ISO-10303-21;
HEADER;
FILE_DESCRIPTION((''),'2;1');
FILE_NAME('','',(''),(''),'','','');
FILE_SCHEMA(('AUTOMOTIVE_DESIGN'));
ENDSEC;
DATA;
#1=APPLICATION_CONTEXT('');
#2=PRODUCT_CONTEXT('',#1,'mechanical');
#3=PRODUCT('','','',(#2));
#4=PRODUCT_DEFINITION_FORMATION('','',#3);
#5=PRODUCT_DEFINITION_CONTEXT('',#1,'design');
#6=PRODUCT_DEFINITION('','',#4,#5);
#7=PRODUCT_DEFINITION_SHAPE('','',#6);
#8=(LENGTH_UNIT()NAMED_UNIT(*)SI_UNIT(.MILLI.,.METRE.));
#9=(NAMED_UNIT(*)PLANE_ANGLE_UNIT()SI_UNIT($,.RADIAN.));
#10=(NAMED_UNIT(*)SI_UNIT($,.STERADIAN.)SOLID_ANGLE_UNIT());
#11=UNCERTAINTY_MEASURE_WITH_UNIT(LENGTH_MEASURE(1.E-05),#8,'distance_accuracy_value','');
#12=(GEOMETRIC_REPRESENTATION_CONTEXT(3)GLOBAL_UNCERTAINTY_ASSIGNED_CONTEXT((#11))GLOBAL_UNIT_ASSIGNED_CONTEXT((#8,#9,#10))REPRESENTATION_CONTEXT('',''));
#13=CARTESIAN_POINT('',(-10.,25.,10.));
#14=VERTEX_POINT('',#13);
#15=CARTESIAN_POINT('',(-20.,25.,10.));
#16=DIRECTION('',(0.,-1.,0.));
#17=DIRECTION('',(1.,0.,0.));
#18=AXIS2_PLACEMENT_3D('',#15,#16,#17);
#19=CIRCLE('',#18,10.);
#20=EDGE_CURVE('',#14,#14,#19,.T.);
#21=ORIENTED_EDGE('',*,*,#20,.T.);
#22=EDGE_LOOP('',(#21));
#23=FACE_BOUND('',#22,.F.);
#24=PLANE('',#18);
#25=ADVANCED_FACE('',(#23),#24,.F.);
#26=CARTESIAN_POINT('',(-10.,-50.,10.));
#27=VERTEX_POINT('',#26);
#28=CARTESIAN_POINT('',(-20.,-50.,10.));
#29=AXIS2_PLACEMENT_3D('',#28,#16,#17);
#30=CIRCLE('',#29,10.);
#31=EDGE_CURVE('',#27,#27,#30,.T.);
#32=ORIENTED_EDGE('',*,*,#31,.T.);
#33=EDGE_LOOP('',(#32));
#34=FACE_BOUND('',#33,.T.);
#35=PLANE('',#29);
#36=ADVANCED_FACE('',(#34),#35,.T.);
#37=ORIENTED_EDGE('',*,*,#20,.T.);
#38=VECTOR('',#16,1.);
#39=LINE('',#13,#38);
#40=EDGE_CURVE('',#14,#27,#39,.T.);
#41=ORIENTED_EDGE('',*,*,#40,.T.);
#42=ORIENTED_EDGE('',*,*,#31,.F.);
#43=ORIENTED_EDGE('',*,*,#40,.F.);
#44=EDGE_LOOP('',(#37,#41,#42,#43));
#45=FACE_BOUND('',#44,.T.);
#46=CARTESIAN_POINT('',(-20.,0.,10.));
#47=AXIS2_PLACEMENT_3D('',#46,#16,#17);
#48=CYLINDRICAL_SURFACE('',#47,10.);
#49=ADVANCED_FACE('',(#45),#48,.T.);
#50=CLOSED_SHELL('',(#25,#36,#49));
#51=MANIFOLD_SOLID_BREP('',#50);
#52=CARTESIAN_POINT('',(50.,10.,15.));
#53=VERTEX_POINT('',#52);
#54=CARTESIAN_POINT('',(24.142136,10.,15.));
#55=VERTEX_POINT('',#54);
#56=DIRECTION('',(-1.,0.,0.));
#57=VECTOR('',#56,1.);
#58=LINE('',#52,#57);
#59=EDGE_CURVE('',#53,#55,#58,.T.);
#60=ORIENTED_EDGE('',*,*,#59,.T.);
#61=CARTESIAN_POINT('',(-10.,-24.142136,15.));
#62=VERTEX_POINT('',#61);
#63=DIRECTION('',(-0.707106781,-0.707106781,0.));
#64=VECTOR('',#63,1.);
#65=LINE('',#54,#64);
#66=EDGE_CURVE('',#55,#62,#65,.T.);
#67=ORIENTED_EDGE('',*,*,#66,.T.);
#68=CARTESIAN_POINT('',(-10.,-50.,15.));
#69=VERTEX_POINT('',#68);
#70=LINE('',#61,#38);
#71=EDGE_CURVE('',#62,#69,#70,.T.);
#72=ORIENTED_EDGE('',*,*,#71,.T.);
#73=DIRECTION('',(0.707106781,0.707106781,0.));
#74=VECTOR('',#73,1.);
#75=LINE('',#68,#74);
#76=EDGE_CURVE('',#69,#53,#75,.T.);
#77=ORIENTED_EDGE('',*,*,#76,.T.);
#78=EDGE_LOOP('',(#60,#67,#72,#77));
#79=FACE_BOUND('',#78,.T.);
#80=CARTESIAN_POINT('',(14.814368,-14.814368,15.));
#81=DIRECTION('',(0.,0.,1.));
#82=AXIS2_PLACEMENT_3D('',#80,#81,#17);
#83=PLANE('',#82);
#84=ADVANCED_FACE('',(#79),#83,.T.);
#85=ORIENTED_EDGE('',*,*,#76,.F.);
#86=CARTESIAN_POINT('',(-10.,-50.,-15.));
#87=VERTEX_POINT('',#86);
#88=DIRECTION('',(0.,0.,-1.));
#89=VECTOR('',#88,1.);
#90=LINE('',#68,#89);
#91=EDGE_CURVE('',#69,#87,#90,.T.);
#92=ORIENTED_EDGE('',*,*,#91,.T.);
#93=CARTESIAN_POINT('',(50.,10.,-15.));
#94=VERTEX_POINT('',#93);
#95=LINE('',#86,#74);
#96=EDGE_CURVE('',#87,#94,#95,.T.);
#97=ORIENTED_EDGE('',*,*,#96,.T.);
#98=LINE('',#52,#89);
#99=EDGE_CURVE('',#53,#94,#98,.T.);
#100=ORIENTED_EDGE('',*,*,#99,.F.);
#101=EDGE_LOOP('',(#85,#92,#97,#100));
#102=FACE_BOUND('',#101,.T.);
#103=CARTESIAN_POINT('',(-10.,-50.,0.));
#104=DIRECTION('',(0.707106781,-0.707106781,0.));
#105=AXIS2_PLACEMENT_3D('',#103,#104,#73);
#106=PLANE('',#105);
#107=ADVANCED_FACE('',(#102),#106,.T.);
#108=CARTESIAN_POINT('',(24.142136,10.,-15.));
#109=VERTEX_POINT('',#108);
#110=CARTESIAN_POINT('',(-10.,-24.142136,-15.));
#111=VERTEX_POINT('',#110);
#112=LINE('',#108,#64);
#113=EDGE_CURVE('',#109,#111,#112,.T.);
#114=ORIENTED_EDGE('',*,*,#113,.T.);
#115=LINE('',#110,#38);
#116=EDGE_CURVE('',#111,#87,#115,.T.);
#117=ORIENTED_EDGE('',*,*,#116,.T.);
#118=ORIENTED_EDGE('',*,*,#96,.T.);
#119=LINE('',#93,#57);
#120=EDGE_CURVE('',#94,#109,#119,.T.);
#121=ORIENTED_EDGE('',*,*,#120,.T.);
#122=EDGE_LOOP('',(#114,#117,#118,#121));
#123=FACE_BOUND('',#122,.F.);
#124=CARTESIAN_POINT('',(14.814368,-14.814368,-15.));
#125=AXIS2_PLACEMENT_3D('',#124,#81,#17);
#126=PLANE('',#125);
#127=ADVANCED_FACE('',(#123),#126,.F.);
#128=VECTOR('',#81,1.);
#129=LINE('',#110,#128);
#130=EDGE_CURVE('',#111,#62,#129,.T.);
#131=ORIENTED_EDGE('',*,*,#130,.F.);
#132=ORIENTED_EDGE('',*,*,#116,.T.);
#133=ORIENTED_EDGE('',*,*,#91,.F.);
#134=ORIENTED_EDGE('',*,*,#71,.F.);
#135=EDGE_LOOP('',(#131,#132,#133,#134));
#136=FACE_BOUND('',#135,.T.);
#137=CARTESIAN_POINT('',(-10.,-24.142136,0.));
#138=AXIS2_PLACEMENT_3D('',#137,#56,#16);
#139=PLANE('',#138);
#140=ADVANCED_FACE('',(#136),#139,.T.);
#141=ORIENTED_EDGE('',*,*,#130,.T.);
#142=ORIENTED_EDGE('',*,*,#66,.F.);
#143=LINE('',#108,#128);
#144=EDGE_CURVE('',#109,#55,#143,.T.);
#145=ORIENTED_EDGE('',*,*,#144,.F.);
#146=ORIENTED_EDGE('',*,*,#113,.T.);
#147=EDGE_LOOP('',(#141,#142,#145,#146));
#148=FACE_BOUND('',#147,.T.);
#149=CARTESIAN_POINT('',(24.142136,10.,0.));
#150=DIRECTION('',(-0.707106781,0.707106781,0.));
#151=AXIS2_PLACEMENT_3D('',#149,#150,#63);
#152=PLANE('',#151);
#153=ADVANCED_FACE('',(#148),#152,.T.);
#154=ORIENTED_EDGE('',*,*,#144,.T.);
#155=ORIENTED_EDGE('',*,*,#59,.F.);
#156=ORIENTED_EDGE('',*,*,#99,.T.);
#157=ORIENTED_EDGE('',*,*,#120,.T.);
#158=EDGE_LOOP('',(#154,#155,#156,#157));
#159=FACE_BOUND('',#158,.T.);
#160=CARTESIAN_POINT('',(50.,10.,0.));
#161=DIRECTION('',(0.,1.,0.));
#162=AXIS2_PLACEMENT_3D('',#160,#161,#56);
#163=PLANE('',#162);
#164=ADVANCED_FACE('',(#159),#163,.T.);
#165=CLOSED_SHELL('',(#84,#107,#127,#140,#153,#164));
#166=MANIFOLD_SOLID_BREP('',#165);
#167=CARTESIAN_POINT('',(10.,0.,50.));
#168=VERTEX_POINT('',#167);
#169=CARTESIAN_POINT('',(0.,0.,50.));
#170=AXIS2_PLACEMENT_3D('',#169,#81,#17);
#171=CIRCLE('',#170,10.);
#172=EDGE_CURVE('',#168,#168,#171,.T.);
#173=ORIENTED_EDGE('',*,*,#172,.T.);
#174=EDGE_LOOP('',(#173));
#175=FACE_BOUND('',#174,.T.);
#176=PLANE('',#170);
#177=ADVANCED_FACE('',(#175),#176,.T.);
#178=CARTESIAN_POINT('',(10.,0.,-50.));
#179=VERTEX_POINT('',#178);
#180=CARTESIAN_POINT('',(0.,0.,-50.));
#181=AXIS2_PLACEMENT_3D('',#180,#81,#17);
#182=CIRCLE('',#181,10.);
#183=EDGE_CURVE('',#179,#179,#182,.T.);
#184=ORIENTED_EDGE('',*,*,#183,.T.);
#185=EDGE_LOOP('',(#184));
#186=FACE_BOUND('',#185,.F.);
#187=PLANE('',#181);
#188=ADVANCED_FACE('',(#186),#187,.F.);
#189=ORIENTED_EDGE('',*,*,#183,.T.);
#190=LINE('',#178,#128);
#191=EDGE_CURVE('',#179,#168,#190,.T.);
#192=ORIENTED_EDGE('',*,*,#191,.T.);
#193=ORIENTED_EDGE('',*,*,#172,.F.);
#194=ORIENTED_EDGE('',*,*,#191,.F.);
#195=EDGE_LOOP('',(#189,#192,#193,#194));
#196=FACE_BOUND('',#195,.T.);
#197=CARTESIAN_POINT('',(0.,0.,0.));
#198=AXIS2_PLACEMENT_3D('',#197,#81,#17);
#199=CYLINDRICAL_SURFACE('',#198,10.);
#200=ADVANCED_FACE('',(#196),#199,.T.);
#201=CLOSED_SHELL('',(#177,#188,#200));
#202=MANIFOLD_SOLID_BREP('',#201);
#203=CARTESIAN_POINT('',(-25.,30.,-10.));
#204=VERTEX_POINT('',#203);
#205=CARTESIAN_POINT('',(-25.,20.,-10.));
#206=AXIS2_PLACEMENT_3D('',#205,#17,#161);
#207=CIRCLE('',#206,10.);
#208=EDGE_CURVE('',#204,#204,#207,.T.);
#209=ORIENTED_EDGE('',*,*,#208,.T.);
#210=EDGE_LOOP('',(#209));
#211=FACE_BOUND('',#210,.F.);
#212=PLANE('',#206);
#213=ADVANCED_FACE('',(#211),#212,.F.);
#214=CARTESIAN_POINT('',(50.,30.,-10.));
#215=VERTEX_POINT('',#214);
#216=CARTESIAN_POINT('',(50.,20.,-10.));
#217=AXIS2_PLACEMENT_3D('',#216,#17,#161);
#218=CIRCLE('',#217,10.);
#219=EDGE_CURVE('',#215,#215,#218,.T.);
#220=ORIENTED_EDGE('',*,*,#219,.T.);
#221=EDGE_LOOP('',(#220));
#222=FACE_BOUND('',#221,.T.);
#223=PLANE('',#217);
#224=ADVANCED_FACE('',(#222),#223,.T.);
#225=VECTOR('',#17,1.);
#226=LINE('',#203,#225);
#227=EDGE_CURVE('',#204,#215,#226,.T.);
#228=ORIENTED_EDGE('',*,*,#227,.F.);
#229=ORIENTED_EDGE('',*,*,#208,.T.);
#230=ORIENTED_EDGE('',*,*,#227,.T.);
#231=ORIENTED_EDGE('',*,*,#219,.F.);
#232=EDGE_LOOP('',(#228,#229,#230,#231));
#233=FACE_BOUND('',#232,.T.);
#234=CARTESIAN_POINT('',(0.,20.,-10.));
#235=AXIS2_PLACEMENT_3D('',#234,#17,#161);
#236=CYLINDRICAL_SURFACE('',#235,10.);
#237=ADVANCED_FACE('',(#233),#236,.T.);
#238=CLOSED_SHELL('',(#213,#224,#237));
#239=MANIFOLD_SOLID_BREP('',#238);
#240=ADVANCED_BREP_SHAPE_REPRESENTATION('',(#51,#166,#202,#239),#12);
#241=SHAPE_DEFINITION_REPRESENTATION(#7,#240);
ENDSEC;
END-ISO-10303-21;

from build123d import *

# Parameters (mm, degrees)
F0_R          = 10
F1_DEPTH      = 50
F2_R          = 10
F3_DEPTH      = 50
F3_DEPTH_BACK = 25
F4_R          = 10
F5_DEPTH      = 50
F5_DEPTH_BACK = 25
F7_DEPTH      = 15


with BuildPart() as f1:
    # F0 (on Top) → F1 (new body, symmetric)
    with BuildSketch(Plane.XY):
        Circle(F0_R)
    extrude(amount=F1_DEPTH, both=True)


with BuildPart() as f3:
    # F2 (on Front) → F3 (new body, two sides)
    with BuildSketch(Plane.XZ) as f3_sk:
        with Locations((-20, 10)):
            Circle(F2_R)
    extrude(amount=F3_DEPTH)
    extrude(f3_sk.sketch, amount=-F3_DEPTH_BACK)


with BuildPart() as f5:
    # F4 (on Right) → F5 (new body, two sides)
    with BuildSketch(Plane.YZ) as f5_sk:
        with Locations((20, -10)):
            Circle(F4_R)
    extrude(amount=F5_DEPTH)
    extrude(f5_sk.sketch, amount=-F5_DEPTH_BACK)


with BuildPart() as f7:
    # F6 (on Top) → F7 (new body, symmetric)
    with BuildSketch(Plane.XY):
        Polygon((50, 10), (24.142136, 10), (-10, -24.142136), (-10, -50), align=None)
    extrude(amount=F7_DEPTH, both=True)


solid = Compound([f1.part, f3.part, f5.part, f7.part])
